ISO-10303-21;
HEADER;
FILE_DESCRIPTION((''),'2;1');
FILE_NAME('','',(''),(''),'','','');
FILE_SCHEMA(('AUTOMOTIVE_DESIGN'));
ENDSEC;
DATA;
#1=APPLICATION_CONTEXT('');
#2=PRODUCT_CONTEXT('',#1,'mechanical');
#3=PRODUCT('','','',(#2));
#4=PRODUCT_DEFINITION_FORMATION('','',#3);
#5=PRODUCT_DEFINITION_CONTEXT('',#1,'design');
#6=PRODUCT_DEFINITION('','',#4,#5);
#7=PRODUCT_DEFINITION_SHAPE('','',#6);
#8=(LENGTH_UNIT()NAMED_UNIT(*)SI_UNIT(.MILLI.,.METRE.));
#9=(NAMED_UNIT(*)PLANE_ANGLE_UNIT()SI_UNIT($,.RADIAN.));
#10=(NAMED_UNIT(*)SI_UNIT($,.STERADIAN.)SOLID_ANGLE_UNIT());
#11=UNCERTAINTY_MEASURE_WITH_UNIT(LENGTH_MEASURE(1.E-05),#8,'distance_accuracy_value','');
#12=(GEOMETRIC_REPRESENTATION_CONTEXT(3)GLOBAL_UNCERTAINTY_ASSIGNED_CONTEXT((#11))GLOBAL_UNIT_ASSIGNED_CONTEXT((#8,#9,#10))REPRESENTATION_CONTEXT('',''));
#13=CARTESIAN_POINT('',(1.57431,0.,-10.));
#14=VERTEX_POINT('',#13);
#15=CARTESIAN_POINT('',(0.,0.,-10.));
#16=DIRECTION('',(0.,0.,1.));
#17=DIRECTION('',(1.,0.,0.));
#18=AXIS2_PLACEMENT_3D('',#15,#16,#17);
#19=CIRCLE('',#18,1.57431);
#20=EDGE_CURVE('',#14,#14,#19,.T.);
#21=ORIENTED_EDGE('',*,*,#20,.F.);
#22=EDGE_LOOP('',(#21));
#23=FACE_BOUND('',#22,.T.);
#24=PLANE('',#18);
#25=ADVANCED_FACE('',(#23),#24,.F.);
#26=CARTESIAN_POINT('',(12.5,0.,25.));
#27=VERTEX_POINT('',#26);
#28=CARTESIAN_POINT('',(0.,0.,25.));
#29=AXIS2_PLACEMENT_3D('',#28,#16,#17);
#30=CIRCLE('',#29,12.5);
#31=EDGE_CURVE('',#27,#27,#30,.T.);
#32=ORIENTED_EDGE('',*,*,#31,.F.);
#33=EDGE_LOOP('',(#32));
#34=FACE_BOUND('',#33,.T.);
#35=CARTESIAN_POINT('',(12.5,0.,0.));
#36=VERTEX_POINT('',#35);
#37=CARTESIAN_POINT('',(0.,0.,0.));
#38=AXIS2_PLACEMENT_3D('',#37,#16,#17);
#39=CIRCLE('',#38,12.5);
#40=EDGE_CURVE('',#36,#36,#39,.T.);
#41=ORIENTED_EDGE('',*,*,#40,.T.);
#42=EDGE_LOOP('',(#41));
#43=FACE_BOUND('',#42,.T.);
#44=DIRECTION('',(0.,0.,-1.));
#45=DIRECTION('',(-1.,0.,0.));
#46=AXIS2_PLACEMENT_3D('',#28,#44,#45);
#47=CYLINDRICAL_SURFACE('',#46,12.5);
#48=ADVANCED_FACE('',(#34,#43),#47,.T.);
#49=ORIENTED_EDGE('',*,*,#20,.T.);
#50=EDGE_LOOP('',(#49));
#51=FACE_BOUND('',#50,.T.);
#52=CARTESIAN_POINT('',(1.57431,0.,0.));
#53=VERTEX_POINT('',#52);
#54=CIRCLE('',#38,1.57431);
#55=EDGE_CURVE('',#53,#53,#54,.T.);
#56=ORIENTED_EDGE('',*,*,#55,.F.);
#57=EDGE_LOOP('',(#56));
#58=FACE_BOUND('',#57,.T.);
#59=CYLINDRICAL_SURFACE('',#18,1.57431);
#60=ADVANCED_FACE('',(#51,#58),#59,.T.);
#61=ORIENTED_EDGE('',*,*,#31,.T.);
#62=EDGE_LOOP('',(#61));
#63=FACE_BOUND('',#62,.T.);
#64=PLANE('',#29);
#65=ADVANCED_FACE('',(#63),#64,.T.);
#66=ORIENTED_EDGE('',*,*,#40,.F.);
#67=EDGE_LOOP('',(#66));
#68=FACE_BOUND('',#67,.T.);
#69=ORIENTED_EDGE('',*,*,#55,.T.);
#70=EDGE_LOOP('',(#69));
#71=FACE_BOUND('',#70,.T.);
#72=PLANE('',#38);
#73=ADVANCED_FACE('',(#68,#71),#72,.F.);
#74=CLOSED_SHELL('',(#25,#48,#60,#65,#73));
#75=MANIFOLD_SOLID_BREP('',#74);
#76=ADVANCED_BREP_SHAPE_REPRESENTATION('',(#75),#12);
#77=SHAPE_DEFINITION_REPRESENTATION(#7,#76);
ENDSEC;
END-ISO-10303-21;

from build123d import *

# Parameters (mm, degrees)
SKETCH1_R           = 12.5
BOSS_EXTRUDE1_DEPTH = 25
SKETCH2_R           = 1.574309685
BOSS_EXTRUDE2_DEPTH = 10


with BuildPart() as part:
    # Sketch1 → Boss-Extrude1 (new body)
    with BuildSketch(Plane.XY):
        Circle(SKETCH1_R)
    extrude(amount=BOSS_EXTRUDE1_DEPTH)

    # Sketch2 → Boss-Extrude2 (add)
    with BuildSketch(Plane.XY):
        Circle(SKETCH2_R)
    extrude(amount=-BOSS_EXTRUDE2_DEPTH)


solid = part.part
